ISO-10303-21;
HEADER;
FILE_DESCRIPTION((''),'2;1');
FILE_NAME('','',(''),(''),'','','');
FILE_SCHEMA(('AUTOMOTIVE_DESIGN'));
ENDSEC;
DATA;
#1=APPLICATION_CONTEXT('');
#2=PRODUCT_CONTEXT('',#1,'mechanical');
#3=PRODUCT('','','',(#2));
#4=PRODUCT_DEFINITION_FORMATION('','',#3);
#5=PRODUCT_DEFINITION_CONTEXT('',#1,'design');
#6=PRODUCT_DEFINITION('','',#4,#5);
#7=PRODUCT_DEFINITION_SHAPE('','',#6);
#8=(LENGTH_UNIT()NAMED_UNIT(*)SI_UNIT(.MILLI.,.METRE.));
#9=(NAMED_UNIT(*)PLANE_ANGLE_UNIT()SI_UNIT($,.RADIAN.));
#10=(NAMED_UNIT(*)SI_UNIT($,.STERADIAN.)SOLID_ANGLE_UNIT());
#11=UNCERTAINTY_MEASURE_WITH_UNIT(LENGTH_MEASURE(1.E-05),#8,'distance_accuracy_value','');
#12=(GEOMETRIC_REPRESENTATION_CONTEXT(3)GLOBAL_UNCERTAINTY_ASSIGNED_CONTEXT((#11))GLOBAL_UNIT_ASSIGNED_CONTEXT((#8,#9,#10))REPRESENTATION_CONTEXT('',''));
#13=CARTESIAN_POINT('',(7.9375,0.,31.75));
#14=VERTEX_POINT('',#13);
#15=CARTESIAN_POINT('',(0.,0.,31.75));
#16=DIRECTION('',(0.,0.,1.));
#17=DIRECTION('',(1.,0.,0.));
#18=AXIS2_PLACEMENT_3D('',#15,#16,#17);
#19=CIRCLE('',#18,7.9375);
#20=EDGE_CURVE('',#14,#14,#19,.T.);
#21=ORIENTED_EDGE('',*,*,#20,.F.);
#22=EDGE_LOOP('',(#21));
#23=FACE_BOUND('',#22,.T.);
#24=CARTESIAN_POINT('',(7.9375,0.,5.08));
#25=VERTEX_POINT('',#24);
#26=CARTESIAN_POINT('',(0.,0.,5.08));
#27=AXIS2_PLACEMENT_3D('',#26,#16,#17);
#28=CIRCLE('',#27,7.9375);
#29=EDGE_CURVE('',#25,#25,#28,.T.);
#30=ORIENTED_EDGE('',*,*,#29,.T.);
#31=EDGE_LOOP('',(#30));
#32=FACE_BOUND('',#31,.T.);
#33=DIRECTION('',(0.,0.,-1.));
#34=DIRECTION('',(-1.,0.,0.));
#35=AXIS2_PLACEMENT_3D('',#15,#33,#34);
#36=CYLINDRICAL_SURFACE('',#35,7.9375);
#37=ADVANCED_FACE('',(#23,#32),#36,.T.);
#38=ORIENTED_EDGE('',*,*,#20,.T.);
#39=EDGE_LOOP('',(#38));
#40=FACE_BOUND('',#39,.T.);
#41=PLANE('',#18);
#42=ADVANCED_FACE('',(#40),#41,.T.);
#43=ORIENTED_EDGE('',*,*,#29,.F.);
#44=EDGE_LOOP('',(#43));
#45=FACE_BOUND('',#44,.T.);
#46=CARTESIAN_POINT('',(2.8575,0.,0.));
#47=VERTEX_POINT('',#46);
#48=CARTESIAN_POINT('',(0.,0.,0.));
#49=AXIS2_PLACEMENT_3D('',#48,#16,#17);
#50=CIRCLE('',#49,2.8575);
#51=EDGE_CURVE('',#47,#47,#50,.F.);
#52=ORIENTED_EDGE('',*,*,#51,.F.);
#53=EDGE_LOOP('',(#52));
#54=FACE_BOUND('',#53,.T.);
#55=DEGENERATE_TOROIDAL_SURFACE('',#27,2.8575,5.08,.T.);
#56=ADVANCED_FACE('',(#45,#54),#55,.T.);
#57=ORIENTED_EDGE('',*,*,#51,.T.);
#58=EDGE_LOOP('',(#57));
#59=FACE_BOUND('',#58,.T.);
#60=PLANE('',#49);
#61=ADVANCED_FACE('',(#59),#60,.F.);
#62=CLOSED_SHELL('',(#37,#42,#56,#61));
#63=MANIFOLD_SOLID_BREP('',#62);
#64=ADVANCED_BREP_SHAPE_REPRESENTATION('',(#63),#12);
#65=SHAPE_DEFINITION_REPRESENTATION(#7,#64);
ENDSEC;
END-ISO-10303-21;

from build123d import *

# Parameters (mm, degrees)
SKETCH1_R           = 7.9375
BOSS_EXTRUDE1_DEPTH = 31.75
FILLET1_R           = 5.08


with BuildPart() as part:
    # Sketch1 → Boss-Extrude1 (new body)
    with BuildSketch(Plane.XY):
        Circle(SKETCH1_R)
    extrude(amount=BOSS_EXTRUDE1_DEPTH)

    # Fillet1
    fillet1_edges = [part.edges().sort_by_distance(p)[0] for p in [
        (-7.9375, 0, 0),
    ]]
    fillet(fillet1_edges, radius=FILLET1_R)


solid = part.part
